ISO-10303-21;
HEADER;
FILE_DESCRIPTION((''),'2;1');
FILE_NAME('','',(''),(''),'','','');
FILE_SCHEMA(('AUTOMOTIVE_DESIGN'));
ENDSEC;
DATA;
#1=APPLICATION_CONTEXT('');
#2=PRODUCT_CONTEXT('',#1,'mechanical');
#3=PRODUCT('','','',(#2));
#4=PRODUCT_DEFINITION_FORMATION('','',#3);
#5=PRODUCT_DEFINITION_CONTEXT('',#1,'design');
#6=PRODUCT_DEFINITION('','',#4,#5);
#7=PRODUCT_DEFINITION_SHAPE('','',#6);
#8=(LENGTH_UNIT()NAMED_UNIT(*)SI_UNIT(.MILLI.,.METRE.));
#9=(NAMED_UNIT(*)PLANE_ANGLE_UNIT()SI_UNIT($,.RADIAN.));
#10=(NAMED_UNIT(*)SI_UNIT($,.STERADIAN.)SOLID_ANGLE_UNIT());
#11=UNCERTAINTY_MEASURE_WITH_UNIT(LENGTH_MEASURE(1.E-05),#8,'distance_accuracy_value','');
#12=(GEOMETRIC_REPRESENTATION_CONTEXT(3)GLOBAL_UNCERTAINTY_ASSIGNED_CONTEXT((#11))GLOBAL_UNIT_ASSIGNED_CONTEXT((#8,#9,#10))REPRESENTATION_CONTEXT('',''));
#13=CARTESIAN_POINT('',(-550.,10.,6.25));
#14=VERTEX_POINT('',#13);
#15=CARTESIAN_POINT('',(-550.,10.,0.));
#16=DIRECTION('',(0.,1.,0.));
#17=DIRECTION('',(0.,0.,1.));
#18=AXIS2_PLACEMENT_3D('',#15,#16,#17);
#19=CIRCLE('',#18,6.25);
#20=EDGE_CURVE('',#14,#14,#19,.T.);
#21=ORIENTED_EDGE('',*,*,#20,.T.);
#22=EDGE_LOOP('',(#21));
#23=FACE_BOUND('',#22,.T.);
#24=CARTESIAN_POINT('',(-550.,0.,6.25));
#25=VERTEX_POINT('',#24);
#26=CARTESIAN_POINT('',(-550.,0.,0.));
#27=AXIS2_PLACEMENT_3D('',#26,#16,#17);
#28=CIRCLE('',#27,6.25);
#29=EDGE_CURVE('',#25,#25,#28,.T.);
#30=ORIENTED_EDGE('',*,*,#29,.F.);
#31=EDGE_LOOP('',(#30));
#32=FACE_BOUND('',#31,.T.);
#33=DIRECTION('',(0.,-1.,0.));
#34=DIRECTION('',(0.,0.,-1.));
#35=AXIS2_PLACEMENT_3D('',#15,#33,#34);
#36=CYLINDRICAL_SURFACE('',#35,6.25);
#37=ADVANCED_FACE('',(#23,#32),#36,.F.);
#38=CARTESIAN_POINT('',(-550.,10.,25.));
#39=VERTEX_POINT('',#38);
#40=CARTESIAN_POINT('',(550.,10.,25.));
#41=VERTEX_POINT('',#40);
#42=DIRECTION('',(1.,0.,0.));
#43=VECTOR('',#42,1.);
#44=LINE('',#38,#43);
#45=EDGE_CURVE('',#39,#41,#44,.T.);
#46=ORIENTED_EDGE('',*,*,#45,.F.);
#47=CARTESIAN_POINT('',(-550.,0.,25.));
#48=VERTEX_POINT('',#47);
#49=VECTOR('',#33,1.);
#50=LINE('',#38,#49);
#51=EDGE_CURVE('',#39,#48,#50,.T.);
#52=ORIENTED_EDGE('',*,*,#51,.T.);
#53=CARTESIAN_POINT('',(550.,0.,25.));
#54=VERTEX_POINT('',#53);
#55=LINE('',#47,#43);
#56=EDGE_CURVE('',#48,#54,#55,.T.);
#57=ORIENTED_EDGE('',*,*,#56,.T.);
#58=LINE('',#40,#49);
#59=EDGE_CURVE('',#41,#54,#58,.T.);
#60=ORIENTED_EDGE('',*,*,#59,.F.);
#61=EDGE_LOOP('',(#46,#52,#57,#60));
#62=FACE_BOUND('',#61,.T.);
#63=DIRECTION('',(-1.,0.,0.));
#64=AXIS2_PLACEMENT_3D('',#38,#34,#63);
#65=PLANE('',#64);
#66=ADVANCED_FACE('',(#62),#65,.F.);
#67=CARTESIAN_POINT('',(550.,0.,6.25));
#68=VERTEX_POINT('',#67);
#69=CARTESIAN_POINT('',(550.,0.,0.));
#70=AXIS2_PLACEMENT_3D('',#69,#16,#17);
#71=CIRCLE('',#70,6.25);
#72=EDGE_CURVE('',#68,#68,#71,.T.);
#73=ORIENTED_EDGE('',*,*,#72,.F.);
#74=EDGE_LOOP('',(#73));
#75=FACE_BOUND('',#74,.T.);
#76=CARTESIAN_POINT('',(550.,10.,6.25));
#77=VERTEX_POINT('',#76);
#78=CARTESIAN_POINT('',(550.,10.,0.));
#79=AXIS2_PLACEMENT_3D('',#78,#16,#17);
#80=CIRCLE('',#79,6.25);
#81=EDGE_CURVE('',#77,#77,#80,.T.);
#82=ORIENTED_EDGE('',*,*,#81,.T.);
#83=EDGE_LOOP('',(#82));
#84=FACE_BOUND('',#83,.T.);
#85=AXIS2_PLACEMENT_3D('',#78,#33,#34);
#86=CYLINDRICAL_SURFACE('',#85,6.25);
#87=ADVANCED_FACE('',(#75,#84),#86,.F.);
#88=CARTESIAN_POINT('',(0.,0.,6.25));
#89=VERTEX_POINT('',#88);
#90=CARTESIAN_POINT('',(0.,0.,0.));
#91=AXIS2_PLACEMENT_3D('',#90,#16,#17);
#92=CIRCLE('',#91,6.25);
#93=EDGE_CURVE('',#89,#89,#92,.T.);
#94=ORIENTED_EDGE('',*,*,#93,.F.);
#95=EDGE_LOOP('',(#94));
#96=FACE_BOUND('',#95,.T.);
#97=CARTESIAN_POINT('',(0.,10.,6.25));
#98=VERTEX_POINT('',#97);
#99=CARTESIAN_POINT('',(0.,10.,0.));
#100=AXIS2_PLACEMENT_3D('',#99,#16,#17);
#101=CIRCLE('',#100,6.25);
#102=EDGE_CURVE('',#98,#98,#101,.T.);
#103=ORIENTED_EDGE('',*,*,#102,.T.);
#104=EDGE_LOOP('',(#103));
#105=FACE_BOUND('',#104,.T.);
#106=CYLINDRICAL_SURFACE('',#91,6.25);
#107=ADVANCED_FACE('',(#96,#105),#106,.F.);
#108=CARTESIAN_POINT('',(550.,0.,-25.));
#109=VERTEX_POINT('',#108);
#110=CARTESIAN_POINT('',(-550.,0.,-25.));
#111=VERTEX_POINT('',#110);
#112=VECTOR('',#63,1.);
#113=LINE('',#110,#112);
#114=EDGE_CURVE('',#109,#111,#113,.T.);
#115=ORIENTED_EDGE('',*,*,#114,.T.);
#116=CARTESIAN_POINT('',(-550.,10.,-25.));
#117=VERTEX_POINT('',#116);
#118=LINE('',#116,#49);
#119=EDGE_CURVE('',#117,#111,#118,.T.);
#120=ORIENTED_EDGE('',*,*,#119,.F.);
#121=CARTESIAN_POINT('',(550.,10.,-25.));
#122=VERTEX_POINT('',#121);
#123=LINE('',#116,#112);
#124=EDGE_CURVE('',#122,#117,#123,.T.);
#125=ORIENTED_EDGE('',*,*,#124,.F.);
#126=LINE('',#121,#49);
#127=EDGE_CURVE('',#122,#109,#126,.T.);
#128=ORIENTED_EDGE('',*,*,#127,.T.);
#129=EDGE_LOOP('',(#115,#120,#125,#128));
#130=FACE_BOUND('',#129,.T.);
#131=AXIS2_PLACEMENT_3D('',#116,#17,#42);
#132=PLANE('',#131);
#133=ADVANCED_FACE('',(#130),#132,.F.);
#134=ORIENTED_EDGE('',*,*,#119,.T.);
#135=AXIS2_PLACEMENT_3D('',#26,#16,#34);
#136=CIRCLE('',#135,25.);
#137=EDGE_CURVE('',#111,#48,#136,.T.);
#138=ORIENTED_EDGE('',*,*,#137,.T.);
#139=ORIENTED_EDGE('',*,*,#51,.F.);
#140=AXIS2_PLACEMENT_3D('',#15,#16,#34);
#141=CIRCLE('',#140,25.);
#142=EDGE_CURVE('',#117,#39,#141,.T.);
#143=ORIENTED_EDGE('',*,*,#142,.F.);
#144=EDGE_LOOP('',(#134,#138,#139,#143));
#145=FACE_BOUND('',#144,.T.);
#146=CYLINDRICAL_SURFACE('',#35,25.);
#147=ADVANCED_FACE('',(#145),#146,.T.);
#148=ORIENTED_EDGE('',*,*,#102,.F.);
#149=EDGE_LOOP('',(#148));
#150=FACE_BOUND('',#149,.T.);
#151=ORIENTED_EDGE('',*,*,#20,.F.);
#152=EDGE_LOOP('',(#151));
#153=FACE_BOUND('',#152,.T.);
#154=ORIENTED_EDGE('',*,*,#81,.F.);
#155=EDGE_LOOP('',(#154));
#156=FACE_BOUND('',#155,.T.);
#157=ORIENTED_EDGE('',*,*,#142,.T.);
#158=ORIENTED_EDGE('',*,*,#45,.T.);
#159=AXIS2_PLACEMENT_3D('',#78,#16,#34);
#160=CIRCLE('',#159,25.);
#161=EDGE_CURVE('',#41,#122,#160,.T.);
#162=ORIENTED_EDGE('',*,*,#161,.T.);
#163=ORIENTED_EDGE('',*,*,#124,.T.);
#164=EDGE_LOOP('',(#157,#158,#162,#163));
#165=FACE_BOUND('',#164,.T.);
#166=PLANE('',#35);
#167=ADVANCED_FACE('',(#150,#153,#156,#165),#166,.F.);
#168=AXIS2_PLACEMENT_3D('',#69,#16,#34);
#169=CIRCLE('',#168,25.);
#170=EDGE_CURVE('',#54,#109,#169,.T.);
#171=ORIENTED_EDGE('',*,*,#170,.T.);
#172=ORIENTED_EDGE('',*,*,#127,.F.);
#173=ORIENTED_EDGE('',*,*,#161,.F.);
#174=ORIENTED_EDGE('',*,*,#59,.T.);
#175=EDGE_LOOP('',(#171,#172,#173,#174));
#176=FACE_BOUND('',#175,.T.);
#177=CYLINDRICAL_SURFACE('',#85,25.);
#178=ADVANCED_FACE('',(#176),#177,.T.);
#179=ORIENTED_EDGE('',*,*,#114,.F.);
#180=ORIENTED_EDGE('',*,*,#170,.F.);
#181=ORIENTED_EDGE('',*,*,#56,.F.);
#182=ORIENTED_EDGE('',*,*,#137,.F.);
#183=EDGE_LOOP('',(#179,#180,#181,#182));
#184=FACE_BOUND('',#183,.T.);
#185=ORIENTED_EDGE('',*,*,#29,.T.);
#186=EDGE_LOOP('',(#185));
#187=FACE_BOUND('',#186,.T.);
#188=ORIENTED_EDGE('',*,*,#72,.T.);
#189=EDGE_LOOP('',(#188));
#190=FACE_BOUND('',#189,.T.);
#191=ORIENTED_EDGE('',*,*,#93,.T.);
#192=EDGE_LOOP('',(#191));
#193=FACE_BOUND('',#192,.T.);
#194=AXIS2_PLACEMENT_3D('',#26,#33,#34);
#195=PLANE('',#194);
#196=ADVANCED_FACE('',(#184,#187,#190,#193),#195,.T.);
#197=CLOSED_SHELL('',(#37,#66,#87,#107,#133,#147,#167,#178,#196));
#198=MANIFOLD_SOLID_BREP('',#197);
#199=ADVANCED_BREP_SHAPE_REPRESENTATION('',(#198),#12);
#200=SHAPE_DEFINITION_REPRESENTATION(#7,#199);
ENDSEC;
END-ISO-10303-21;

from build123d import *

# Parameters (mm, degrees)
SKETCH1_R           = 6.25
BOSS_EXTRUDE1_DEPTH = 10
SKETCH2_R           = 6.25
CUT_EXTRUDE1_DEPTH  = 576.630089554


with BuildPart() as part:
    # Sketch1 → Boss-Extrude1 (new body)
    with BuildSketch(Plane(origin=(0, 0, 0), x_dir=(1, 0, 0), z_dir=(0, 1, 0))):
        with BuildLine():
            Line((-550, 25), (550, 25))
            ThreePointArc((550, 25), (575, 0), (550, -25))
            Line((550, -25), (-550, -25))
            ThreePointArc((-550, -25), (-575, 0), (-550, 25))
        make_face()
        with Locations(Location((-550, 0, 0), (0, 0, 270))):
            Circle(SKETCH1_R, mode=Mode.SUBTRACT)
        with Locations(Location((550, 0, 0), (0, 0, 270))):
            Circle(SKETCH1_R, mode=Mode.SUBTRACT)
    extrude(amount=BOSS_EXTRUDE1_DEPTH)

    # Sketch2 → Cut-Extrude1 (cut, through all)
    with BuildSketch(Plane(origin=(0, 10, 0), x_dir=(1, 0, 0), z_dir=(0, 1, 0))):
        with Locations(Location((0, 0, 0), (0, 0, 270))):
            Circle(SKETCH2_R)
    extrude(amount=-CUT_EXTRUDE1_DEPTH, mode=Mode.SUBTRACT)


solid = part.part
